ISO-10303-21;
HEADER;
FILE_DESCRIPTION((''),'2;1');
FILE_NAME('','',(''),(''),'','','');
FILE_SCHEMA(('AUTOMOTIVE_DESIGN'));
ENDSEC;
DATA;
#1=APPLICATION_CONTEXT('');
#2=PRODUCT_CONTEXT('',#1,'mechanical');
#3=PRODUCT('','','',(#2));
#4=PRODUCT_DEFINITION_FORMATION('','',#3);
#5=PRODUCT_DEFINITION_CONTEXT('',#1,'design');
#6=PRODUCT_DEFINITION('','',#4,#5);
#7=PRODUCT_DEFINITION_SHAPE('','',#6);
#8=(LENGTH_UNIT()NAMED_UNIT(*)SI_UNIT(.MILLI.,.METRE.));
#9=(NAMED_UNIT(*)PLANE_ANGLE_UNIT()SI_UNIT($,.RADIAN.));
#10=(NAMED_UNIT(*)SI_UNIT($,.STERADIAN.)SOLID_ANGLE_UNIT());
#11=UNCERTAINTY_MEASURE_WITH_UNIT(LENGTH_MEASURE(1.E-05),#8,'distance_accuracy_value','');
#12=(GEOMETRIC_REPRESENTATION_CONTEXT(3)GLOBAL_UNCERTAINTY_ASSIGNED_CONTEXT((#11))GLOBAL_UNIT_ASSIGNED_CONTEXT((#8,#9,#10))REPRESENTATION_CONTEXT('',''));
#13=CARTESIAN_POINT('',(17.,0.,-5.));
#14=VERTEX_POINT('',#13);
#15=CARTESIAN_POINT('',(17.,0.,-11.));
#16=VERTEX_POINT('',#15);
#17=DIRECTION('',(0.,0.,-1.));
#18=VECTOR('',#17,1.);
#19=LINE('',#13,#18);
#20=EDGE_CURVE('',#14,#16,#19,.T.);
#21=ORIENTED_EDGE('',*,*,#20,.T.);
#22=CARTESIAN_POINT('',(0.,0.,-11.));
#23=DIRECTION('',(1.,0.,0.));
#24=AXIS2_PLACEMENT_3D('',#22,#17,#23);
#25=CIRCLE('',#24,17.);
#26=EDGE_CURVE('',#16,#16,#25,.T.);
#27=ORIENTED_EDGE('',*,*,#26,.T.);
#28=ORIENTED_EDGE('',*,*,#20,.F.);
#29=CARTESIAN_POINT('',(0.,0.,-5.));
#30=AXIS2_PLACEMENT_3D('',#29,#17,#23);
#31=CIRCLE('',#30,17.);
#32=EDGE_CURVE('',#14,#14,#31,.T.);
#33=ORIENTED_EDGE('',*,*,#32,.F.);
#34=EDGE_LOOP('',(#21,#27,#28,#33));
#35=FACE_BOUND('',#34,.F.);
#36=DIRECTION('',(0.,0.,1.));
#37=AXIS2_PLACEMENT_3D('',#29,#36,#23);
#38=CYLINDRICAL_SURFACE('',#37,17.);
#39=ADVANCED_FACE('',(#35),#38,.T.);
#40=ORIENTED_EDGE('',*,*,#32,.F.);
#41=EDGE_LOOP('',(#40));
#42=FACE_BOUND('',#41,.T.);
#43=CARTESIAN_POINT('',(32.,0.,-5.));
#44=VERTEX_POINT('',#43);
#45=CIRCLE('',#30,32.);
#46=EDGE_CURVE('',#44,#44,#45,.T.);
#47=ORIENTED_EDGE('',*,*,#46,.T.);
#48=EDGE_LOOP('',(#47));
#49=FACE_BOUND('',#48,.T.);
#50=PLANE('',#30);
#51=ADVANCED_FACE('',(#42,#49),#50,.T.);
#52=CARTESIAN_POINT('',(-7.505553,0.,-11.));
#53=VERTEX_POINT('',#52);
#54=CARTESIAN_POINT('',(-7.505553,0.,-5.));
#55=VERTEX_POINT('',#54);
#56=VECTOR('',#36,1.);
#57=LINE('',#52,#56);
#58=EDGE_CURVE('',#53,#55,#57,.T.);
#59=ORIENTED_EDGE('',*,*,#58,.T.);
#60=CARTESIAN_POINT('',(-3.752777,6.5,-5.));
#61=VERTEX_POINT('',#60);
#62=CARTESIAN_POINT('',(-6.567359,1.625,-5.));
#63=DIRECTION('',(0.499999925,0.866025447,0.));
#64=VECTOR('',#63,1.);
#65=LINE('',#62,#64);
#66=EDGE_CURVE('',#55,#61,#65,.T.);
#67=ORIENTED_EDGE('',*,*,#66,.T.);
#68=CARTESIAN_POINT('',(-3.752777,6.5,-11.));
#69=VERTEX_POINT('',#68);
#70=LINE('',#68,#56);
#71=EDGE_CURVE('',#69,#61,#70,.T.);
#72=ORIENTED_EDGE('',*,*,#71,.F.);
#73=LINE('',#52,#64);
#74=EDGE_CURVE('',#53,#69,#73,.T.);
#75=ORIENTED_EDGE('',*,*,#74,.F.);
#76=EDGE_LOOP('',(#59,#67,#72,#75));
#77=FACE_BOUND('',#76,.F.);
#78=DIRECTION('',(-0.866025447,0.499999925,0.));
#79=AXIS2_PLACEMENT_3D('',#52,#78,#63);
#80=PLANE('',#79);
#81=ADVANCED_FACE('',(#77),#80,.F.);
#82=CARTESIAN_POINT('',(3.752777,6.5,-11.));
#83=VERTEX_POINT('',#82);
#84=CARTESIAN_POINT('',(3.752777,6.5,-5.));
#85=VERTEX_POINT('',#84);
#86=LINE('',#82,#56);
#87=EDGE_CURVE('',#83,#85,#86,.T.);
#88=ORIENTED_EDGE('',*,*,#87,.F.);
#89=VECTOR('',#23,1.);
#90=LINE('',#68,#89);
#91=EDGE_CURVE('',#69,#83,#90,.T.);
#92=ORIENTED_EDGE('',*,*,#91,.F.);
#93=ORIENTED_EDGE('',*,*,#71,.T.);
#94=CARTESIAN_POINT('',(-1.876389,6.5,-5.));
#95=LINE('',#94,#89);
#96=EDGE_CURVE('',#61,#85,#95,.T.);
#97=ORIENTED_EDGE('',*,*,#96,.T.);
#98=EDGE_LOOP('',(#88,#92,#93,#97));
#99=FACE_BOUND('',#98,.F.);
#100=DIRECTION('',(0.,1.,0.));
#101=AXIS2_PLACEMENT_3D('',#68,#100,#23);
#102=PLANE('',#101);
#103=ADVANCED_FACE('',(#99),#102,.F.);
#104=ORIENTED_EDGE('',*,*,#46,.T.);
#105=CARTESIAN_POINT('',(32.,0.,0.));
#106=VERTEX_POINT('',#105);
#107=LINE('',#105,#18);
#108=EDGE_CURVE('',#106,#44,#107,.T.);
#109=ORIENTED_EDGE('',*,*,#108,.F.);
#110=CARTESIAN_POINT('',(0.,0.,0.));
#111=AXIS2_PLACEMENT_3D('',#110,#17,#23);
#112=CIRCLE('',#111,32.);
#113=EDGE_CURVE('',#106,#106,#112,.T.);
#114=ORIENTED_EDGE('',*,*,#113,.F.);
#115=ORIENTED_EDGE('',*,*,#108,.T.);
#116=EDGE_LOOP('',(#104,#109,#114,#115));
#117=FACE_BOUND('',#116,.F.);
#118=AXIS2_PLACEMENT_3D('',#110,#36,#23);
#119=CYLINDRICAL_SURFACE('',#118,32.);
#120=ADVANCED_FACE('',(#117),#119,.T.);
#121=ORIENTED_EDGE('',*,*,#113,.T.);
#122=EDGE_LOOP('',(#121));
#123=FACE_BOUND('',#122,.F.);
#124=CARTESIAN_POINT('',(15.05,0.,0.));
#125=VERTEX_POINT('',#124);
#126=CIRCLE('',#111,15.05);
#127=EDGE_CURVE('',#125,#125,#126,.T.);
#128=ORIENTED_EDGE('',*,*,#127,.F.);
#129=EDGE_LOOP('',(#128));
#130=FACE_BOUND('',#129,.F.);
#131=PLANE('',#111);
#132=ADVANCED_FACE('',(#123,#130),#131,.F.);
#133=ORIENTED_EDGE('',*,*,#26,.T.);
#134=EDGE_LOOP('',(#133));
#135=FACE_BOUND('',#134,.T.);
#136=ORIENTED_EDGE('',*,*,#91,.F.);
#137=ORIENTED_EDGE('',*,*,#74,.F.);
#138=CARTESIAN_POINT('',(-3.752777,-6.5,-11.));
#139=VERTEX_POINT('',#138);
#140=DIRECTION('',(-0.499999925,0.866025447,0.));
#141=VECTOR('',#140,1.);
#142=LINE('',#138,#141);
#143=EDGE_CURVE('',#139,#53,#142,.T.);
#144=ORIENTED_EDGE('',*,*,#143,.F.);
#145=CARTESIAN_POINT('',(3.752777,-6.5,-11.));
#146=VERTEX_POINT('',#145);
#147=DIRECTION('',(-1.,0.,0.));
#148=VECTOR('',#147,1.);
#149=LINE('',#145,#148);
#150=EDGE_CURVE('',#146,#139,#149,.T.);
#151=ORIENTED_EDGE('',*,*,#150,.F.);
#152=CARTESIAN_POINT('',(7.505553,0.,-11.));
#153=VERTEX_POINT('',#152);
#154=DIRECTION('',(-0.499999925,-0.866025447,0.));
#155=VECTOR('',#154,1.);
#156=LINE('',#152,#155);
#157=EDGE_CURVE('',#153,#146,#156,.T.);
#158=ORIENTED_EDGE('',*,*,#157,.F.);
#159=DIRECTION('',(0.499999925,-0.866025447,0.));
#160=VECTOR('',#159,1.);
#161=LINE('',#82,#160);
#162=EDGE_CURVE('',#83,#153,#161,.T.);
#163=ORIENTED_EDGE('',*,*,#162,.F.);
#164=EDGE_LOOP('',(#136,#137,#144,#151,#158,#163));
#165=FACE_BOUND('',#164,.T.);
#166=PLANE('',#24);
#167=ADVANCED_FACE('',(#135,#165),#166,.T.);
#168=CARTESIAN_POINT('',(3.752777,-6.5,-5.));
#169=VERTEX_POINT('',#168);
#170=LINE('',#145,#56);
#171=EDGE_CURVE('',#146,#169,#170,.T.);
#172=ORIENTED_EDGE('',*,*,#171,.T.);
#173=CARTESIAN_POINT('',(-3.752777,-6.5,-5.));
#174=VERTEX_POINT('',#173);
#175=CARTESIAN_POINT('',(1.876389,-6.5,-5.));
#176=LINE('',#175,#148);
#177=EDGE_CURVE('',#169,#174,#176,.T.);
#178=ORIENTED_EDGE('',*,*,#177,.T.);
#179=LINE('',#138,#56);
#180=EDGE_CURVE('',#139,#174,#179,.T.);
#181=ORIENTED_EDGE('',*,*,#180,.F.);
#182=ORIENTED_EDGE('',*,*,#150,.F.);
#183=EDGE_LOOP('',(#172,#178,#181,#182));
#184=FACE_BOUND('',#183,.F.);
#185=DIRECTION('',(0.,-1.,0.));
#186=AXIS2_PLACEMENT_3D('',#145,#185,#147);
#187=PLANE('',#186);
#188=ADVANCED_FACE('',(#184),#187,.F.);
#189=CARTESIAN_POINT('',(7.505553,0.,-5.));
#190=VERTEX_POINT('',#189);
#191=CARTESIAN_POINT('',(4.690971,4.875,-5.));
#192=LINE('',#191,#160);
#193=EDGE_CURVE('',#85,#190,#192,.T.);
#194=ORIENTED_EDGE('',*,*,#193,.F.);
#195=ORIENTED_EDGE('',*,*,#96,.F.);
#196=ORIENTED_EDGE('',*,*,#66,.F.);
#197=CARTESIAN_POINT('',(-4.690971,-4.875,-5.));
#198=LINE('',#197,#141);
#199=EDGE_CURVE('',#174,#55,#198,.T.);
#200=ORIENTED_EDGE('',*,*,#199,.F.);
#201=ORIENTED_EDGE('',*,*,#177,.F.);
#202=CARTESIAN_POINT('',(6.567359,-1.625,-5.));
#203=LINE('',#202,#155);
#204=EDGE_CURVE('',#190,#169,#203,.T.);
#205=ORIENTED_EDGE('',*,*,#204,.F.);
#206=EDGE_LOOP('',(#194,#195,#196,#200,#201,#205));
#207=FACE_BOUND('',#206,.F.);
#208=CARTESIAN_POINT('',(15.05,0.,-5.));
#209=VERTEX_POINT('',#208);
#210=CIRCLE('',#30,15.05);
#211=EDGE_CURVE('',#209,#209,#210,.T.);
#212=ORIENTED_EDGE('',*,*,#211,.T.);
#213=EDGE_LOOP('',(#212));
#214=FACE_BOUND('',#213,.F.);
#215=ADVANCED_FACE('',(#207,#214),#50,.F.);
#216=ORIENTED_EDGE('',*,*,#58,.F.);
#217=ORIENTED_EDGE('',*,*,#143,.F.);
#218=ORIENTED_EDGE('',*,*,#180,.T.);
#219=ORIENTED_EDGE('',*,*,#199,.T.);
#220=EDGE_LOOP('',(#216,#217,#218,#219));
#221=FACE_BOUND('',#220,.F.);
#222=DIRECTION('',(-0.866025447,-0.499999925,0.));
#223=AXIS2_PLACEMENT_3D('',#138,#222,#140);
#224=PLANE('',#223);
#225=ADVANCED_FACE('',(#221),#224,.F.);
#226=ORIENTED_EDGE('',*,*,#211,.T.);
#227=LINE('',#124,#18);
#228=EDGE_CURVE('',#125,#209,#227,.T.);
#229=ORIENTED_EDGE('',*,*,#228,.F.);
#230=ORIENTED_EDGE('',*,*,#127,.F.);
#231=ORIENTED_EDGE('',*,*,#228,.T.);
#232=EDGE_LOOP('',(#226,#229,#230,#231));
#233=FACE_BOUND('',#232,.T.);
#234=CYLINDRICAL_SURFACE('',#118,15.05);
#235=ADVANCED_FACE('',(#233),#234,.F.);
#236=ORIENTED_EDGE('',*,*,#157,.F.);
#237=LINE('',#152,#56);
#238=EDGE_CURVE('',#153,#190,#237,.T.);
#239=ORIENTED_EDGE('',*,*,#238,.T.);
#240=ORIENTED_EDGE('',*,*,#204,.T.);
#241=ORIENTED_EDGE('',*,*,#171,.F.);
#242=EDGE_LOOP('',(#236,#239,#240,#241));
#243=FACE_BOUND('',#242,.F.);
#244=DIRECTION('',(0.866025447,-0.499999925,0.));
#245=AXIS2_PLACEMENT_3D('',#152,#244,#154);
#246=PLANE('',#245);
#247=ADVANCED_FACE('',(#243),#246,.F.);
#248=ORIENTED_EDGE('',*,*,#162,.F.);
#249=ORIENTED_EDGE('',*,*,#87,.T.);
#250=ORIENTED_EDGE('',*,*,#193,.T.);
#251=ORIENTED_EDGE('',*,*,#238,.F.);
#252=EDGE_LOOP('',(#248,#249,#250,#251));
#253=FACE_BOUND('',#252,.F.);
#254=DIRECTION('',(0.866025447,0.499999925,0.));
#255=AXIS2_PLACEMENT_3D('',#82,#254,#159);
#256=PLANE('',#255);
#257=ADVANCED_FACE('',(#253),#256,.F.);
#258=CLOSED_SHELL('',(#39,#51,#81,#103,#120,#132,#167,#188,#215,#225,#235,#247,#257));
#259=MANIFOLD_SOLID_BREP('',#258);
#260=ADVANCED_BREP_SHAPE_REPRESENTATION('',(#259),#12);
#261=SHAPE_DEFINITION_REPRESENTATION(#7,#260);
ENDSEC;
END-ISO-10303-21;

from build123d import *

# Parameters (mm, degrees)
EXTRUDE008_DEPTH = 10
SKETCH010_R      = 17
EXTRUDE007_DEPTH = 6
SKETCH008_R      = 32
SKETCH008_R_2    = 15.05
EXTRUDE006_DEPTH = 5


with BuildPart() as extrude008:
    # Sketch012 (on Face1 of CopyExtrude007001) → Extrude008 (new body)
    with BuildSketch(Plane(origin=(0, 0, -11), x_dir=(1, 0, 0), z_dir=(0, 0, -1))):
        Polygon((-3.752777, -6.5), (3.752777, -6.5), (7.505553, 0), (3.752777, 6.5), (-3.752777, 6.5), (-7.505553, 0), align=None)
    extrude(amount=-EXTRUDE008_DEPTH)


with BuildPart() as cut005:
    # Sketch010 (on Face1 of CopyExtrude006001) → Extrude007 (new body)
    with BuildSketch(Plane(origin=(0, 0, -5), x_dir=(1, 0, 0), z_dir=(0, 0, -1))):
        Circle(SKETCH010_R)
    extrude(amount=EXTRUDE007_DEPTH)

    # Cut005: cut Extrude008
    add(extrude008.part, mode=Mode.SUBTRACT)


with BuildPart() as fusion002:
    # Sketch008 (on Face1 of CopyCut004001) → Extrude006 (new body)
    with BuildSketch(Plane(origin=(0, 0, 0), x_dir=(1, 0, 0), z_dir=(0, 0, -1))):
        Circle(SKETCH008_R)
        Circle(SKETCH008_R_2, mode=Mode.SUBTRACT)
    extrude(amount=EXTRUDE006_DEPTH)

    # Fusion002: union Cut005
    add(cut005.part)


solid = fusion002.part
